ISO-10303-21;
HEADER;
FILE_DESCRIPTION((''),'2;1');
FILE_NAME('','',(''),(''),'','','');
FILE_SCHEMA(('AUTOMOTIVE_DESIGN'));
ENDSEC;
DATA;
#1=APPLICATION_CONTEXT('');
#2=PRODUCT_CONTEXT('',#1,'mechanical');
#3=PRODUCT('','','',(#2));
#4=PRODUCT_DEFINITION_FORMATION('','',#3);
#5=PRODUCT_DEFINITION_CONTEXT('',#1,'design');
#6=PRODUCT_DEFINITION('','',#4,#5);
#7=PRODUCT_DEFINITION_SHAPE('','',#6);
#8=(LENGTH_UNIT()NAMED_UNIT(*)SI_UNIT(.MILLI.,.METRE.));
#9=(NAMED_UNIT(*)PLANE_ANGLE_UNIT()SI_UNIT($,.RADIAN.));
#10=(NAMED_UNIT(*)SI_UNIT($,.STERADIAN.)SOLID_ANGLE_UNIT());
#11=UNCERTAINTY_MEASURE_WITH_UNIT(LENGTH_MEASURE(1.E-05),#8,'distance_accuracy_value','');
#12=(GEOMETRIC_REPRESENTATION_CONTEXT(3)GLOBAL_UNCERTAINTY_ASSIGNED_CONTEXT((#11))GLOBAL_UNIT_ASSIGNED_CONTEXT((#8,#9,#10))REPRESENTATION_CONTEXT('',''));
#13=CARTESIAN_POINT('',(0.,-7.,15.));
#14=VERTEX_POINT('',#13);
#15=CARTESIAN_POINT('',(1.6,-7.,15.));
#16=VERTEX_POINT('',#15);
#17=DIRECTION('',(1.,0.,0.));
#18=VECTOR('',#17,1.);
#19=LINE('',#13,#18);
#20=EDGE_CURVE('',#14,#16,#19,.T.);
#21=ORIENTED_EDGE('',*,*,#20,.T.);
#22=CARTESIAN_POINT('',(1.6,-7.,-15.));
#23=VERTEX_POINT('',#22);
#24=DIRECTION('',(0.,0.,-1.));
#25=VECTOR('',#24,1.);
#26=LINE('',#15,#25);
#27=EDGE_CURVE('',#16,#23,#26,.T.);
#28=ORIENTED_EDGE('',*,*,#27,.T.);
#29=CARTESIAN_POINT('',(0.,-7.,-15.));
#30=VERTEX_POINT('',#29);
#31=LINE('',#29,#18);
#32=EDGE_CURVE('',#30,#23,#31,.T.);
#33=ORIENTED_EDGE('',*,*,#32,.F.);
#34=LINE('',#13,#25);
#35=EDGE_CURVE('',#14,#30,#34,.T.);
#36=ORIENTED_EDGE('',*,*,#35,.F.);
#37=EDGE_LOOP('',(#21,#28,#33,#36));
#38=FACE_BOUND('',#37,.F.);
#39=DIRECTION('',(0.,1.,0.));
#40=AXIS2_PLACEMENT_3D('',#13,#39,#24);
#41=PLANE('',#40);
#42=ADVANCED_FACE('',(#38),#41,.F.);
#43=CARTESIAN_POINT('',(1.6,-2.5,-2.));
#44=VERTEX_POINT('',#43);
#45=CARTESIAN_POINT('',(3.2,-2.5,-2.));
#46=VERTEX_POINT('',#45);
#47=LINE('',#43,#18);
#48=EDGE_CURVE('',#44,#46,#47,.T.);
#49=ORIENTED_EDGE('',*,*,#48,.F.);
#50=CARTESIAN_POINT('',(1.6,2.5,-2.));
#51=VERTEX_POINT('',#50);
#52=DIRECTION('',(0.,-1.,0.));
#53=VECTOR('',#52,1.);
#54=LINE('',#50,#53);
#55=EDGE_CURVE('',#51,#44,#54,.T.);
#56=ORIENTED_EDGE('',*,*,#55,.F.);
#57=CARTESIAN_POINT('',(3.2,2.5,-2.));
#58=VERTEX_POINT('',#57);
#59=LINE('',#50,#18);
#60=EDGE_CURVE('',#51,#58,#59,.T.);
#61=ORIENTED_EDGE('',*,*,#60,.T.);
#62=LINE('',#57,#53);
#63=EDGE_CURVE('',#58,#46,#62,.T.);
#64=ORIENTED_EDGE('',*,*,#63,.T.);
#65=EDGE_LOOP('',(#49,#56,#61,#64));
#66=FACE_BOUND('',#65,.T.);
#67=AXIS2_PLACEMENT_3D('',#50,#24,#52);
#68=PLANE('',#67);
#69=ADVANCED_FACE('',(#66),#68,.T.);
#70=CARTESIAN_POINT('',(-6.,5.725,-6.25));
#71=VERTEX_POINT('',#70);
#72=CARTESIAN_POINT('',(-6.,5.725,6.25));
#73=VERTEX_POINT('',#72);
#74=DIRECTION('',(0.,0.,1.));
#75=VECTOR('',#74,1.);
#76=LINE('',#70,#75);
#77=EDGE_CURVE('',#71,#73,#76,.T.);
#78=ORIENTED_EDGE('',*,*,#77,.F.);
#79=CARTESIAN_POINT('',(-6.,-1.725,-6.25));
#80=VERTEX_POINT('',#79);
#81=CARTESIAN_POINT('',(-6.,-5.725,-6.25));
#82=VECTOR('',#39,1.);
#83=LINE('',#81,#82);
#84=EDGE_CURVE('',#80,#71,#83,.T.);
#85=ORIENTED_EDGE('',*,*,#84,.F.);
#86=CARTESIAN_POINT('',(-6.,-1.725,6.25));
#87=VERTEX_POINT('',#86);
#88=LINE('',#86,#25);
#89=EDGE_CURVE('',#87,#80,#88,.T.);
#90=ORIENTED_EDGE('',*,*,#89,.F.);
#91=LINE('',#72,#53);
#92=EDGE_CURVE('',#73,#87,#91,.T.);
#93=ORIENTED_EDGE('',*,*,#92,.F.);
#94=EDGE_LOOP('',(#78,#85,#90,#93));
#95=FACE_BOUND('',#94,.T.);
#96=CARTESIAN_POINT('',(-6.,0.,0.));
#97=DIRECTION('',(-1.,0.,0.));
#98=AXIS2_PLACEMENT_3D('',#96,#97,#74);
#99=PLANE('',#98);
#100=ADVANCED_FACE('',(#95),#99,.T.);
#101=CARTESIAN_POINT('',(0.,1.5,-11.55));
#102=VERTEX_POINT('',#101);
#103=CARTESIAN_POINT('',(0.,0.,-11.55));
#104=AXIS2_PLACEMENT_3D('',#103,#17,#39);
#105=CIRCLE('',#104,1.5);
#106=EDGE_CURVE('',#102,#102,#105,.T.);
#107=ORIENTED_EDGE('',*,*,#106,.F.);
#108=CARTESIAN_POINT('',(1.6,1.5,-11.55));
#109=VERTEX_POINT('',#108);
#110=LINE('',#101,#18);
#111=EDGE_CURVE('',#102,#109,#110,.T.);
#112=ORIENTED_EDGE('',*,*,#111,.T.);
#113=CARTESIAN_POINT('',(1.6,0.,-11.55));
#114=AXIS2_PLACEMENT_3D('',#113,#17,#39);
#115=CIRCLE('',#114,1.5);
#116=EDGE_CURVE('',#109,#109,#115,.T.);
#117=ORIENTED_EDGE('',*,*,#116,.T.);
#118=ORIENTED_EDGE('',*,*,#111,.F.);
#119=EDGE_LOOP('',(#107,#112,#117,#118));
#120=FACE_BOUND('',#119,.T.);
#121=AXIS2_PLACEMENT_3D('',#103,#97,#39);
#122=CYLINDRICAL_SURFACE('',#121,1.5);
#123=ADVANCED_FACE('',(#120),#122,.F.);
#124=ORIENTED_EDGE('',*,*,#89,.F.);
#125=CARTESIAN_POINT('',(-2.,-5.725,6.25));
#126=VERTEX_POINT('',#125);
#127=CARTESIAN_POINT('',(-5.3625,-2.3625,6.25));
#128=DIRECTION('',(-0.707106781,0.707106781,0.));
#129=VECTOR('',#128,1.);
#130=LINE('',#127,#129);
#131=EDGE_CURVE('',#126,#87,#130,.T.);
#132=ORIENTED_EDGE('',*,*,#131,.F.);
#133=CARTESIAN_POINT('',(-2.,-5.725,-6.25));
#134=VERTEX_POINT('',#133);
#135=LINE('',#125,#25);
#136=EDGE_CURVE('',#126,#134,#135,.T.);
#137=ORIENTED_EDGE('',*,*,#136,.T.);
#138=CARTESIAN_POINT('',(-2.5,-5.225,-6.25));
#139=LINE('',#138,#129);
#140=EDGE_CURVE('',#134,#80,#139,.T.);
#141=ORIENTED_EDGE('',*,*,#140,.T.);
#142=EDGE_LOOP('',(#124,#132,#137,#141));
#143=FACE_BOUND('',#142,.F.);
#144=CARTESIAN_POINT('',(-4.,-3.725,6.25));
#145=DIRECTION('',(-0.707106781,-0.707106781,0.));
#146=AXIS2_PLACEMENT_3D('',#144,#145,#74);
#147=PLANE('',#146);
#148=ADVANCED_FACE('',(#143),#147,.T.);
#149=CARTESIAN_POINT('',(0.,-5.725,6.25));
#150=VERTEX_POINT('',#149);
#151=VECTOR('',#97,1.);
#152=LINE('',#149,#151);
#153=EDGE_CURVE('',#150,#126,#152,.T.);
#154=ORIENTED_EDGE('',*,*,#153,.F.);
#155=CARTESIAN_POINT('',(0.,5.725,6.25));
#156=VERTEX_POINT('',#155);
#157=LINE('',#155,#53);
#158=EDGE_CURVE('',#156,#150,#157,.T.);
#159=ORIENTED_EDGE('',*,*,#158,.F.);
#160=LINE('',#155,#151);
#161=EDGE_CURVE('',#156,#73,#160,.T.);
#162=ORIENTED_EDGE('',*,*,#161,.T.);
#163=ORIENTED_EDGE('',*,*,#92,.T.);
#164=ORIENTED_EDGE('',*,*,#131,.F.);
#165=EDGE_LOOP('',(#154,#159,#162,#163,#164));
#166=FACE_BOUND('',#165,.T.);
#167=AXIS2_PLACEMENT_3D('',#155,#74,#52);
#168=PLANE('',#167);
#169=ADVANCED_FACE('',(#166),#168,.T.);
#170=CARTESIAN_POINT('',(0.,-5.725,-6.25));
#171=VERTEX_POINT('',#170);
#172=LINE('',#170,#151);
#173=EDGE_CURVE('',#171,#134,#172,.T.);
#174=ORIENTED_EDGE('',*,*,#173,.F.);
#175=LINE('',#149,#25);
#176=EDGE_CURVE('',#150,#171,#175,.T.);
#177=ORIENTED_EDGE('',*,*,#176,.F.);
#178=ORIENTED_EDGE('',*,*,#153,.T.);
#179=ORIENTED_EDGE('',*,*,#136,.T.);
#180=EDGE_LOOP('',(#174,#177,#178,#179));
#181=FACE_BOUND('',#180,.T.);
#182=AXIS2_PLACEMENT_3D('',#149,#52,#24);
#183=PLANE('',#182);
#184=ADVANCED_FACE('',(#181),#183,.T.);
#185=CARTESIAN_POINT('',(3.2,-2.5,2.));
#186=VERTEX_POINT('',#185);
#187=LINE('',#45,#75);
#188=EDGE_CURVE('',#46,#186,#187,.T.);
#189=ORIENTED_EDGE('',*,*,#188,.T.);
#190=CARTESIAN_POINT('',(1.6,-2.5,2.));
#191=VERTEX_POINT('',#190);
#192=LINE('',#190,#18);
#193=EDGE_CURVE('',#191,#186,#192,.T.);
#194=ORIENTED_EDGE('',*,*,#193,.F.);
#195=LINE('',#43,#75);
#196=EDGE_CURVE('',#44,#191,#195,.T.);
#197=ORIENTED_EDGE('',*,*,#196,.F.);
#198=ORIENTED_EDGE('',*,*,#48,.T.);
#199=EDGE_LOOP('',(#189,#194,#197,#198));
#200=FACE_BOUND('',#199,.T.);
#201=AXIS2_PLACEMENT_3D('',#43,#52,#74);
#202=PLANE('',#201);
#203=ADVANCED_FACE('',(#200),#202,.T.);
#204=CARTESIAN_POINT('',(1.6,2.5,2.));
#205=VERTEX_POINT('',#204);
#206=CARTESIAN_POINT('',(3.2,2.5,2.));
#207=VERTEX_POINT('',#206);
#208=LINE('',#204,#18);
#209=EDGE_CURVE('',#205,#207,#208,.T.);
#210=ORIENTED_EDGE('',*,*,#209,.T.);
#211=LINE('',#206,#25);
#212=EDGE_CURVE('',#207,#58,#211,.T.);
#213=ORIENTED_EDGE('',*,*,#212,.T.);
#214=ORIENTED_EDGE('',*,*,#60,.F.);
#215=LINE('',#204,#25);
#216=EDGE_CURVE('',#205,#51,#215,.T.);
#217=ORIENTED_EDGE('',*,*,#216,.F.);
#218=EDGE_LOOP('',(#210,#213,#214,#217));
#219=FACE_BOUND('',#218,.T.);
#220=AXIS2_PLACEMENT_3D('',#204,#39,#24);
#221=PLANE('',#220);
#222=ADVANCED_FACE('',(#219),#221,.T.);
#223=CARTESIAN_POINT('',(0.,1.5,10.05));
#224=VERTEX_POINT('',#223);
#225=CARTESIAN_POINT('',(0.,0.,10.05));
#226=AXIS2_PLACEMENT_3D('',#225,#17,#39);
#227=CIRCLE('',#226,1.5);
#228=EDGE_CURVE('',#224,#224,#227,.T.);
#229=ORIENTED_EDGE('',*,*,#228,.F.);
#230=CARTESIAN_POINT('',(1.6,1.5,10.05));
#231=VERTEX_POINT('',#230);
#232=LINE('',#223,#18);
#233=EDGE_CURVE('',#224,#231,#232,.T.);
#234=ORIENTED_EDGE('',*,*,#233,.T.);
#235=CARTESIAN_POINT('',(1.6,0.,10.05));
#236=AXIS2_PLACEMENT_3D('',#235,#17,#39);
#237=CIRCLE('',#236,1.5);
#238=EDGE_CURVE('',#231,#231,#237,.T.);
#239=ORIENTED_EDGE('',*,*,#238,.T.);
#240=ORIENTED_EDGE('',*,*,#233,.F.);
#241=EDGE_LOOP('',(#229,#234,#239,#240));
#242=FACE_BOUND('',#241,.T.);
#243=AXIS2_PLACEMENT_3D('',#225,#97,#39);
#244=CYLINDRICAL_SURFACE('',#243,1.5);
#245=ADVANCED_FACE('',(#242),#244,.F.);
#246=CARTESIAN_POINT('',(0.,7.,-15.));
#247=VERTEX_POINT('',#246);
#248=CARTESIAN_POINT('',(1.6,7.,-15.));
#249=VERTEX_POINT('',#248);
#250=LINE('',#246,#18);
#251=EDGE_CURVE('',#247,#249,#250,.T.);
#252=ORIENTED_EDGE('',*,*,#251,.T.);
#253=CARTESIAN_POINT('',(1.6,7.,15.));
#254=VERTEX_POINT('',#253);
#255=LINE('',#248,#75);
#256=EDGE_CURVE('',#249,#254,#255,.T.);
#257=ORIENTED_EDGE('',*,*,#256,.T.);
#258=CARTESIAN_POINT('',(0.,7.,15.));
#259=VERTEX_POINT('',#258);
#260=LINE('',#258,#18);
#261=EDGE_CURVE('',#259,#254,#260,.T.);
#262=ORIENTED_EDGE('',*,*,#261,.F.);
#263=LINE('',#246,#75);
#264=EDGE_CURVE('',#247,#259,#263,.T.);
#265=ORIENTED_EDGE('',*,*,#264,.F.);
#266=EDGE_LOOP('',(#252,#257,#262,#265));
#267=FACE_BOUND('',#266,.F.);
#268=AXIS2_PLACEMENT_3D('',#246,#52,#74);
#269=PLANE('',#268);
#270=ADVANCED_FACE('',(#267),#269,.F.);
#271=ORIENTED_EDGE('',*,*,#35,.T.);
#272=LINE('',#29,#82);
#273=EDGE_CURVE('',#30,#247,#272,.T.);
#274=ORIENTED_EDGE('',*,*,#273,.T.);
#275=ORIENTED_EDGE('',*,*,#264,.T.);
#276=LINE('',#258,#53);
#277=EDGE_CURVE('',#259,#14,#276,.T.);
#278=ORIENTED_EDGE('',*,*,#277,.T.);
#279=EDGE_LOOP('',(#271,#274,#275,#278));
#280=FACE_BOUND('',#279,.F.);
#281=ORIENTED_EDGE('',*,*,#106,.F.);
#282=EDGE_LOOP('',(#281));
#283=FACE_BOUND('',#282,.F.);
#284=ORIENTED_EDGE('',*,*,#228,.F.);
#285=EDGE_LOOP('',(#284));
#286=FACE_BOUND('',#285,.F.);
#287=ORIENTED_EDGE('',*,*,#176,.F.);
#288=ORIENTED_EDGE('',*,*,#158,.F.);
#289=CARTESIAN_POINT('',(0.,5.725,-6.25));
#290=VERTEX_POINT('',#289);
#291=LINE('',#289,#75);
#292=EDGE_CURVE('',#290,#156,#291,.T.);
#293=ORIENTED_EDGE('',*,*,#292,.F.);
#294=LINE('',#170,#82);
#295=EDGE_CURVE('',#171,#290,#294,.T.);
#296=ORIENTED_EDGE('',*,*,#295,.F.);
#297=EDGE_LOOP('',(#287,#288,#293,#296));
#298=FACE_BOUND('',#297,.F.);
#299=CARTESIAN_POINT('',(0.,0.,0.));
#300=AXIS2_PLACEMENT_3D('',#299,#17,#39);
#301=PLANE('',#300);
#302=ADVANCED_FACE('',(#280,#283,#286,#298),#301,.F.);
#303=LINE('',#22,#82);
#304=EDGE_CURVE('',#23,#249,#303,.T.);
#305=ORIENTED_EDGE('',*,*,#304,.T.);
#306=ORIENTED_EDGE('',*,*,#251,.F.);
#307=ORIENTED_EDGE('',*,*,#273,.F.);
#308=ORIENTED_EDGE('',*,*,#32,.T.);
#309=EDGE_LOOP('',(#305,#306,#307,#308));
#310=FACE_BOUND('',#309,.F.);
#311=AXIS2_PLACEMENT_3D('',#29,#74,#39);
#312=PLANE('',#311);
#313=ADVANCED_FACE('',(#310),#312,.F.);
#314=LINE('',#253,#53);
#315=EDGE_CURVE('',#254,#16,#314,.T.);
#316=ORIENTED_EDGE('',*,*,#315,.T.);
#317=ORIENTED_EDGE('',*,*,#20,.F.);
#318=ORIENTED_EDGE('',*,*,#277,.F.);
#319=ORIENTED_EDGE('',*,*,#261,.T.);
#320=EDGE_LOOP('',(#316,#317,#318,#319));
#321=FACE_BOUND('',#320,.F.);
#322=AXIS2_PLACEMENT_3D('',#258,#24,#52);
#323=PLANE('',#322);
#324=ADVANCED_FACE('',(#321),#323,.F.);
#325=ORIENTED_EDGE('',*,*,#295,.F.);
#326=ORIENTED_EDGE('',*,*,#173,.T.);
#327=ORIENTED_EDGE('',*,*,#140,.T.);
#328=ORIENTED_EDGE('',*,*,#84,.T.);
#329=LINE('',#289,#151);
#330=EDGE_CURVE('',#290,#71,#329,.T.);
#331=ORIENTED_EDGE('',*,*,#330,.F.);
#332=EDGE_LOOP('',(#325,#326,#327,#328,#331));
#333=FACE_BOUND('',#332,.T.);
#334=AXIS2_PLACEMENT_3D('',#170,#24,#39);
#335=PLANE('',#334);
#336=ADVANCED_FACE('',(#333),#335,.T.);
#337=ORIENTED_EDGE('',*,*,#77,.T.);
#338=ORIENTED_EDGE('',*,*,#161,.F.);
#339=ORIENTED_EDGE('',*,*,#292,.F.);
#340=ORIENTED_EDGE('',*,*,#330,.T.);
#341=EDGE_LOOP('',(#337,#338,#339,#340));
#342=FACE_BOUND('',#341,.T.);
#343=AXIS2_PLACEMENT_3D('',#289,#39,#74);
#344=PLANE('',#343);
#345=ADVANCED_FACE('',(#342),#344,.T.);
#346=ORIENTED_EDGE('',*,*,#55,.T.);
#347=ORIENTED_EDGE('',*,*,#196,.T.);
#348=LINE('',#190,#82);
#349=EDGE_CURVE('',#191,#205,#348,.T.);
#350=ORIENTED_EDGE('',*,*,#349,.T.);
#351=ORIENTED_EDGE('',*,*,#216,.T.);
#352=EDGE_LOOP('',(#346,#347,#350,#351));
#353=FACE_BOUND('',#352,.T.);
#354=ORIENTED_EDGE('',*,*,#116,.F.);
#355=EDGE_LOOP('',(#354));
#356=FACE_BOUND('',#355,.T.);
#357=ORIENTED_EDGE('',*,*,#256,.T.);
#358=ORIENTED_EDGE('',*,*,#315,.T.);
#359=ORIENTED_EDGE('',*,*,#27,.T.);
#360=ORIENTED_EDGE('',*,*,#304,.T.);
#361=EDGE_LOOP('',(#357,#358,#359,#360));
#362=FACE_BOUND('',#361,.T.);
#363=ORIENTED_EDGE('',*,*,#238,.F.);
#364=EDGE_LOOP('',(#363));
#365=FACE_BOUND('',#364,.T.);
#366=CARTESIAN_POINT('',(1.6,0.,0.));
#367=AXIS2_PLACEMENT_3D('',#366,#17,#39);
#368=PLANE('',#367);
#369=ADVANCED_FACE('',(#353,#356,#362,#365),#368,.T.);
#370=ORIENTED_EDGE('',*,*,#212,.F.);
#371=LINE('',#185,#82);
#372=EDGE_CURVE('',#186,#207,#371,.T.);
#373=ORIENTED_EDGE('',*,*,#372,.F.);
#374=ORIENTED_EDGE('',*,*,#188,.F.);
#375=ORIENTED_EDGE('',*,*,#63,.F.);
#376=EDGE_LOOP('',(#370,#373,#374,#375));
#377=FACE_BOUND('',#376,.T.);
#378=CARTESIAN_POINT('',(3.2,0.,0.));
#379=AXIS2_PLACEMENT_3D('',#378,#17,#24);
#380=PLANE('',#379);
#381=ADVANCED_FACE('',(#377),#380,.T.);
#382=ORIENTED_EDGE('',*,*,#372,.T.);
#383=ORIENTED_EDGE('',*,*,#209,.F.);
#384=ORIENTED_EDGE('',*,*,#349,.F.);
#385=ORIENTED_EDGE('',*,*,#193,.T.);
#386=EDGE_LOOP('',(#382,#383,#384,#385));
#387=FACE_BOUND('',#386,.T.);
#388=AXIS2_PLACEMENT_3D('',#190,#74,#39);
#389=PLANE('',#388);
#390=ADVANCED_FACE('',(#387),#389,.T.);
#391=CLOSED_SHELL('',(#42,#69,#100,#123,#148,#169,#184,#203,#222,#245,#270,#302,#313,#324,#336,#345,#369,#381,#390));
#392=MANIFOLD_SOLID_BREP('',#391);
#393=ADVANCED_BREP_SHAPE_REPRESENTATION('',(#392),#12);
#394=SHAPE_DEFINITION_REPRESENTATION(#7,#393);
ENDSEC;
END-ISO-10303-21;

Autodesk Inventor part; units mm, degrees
ref_plane "YZ Plane" through (0, 0, 0) normal (1, 0, 0) x (0, 1, 0)
ref_plane "XZ Plane" through (0, 0, 0) normal (0, 1, 0) x (-1, 0, 0)
ref_plane "XY Plane" through (0, 0, 0) normal (0, 0, 1) x (1, 0, 0)
sketch "スケッチ1" plane through (0, 0, 0) normal (1, 0, 0) x (0, 1, 0)
  line L0 (7, 15) -> (-7, 15)
  line L1 (-7, 15) -> (-7, -15)
  line L2 (-7, -15) -> (7, -15)
  line L3 (7, -15) -> (7, 15)
  circle A0 centre (0, 10.05) radius 1.5
  circle A1 centre (0, -11.55) radius 1.5
  point P0 (0, 0)
  dimension "d0" = 14
  dimension "d1" = 30
  dimension "d2" = 7
  dimension "d3" = 15
  dimension "d4" = 3
  dimension "d5" = 3
  dimension "d6" = 3.45
  dimension "d7" = 3.45
extrude "押し出し1" add sketch "スケッチ1" along normal blind 1.6
sketch "スケッチ2" plane through (1.6, 0, 0) normal (1, 0, 0) x (0, 0, -1)
  line L0 (-2, 2.5) -> (2, 2.5)
  line L1 (2, 2.5) -> (2, -2.5)
  line L2 (2, -2.5) -> (-2, -2.5)
  line L3 (-2, -2.5) -> (-2, 2.5)
  point P0 (0, 0)
  dimension "d10" = 4
  dimension "d11" = 5
  dimension "d12" = 2.5
  dimension "d13" = 2
extrude "押し出し2" add sketch "スケッチ2" along normal blind 1.6
sketch "スケッチ3" plane through (0, 0, 0) normal (-1, 0, 0) x (0, 0, 1)
  line L0 (6.25, -5.725) -> (-6.25, -5.725)
  line L1 (-6.25, -5.725) -> (-6.25, 5.725)
  line L2 (-6.25, 5.725) -> (6.25, 5.725)
  line L3 (6.25, 5.725) -> (6.25, -5.725)
  line L4 (-15, -7) -> (-15, 7) projected
  line L5 (15, 7) -> (15, -7) projected
  point P0 (0, 0)
  dimension "d16" = 12.5
  dimension "d17" = 8.75
  dimension "d18" = 8.75
  dimension "d19" = 11.45
  dimension "d20" = 5.725
  dimension "d21" = 5.725
extrude "押し出し3" add sketch "スケッチ3" along normal blind 6
chamfer "面取り1" distance 4 angle 45 1 edges at (-6, -5.725, 0)
properties part number "encoder"
